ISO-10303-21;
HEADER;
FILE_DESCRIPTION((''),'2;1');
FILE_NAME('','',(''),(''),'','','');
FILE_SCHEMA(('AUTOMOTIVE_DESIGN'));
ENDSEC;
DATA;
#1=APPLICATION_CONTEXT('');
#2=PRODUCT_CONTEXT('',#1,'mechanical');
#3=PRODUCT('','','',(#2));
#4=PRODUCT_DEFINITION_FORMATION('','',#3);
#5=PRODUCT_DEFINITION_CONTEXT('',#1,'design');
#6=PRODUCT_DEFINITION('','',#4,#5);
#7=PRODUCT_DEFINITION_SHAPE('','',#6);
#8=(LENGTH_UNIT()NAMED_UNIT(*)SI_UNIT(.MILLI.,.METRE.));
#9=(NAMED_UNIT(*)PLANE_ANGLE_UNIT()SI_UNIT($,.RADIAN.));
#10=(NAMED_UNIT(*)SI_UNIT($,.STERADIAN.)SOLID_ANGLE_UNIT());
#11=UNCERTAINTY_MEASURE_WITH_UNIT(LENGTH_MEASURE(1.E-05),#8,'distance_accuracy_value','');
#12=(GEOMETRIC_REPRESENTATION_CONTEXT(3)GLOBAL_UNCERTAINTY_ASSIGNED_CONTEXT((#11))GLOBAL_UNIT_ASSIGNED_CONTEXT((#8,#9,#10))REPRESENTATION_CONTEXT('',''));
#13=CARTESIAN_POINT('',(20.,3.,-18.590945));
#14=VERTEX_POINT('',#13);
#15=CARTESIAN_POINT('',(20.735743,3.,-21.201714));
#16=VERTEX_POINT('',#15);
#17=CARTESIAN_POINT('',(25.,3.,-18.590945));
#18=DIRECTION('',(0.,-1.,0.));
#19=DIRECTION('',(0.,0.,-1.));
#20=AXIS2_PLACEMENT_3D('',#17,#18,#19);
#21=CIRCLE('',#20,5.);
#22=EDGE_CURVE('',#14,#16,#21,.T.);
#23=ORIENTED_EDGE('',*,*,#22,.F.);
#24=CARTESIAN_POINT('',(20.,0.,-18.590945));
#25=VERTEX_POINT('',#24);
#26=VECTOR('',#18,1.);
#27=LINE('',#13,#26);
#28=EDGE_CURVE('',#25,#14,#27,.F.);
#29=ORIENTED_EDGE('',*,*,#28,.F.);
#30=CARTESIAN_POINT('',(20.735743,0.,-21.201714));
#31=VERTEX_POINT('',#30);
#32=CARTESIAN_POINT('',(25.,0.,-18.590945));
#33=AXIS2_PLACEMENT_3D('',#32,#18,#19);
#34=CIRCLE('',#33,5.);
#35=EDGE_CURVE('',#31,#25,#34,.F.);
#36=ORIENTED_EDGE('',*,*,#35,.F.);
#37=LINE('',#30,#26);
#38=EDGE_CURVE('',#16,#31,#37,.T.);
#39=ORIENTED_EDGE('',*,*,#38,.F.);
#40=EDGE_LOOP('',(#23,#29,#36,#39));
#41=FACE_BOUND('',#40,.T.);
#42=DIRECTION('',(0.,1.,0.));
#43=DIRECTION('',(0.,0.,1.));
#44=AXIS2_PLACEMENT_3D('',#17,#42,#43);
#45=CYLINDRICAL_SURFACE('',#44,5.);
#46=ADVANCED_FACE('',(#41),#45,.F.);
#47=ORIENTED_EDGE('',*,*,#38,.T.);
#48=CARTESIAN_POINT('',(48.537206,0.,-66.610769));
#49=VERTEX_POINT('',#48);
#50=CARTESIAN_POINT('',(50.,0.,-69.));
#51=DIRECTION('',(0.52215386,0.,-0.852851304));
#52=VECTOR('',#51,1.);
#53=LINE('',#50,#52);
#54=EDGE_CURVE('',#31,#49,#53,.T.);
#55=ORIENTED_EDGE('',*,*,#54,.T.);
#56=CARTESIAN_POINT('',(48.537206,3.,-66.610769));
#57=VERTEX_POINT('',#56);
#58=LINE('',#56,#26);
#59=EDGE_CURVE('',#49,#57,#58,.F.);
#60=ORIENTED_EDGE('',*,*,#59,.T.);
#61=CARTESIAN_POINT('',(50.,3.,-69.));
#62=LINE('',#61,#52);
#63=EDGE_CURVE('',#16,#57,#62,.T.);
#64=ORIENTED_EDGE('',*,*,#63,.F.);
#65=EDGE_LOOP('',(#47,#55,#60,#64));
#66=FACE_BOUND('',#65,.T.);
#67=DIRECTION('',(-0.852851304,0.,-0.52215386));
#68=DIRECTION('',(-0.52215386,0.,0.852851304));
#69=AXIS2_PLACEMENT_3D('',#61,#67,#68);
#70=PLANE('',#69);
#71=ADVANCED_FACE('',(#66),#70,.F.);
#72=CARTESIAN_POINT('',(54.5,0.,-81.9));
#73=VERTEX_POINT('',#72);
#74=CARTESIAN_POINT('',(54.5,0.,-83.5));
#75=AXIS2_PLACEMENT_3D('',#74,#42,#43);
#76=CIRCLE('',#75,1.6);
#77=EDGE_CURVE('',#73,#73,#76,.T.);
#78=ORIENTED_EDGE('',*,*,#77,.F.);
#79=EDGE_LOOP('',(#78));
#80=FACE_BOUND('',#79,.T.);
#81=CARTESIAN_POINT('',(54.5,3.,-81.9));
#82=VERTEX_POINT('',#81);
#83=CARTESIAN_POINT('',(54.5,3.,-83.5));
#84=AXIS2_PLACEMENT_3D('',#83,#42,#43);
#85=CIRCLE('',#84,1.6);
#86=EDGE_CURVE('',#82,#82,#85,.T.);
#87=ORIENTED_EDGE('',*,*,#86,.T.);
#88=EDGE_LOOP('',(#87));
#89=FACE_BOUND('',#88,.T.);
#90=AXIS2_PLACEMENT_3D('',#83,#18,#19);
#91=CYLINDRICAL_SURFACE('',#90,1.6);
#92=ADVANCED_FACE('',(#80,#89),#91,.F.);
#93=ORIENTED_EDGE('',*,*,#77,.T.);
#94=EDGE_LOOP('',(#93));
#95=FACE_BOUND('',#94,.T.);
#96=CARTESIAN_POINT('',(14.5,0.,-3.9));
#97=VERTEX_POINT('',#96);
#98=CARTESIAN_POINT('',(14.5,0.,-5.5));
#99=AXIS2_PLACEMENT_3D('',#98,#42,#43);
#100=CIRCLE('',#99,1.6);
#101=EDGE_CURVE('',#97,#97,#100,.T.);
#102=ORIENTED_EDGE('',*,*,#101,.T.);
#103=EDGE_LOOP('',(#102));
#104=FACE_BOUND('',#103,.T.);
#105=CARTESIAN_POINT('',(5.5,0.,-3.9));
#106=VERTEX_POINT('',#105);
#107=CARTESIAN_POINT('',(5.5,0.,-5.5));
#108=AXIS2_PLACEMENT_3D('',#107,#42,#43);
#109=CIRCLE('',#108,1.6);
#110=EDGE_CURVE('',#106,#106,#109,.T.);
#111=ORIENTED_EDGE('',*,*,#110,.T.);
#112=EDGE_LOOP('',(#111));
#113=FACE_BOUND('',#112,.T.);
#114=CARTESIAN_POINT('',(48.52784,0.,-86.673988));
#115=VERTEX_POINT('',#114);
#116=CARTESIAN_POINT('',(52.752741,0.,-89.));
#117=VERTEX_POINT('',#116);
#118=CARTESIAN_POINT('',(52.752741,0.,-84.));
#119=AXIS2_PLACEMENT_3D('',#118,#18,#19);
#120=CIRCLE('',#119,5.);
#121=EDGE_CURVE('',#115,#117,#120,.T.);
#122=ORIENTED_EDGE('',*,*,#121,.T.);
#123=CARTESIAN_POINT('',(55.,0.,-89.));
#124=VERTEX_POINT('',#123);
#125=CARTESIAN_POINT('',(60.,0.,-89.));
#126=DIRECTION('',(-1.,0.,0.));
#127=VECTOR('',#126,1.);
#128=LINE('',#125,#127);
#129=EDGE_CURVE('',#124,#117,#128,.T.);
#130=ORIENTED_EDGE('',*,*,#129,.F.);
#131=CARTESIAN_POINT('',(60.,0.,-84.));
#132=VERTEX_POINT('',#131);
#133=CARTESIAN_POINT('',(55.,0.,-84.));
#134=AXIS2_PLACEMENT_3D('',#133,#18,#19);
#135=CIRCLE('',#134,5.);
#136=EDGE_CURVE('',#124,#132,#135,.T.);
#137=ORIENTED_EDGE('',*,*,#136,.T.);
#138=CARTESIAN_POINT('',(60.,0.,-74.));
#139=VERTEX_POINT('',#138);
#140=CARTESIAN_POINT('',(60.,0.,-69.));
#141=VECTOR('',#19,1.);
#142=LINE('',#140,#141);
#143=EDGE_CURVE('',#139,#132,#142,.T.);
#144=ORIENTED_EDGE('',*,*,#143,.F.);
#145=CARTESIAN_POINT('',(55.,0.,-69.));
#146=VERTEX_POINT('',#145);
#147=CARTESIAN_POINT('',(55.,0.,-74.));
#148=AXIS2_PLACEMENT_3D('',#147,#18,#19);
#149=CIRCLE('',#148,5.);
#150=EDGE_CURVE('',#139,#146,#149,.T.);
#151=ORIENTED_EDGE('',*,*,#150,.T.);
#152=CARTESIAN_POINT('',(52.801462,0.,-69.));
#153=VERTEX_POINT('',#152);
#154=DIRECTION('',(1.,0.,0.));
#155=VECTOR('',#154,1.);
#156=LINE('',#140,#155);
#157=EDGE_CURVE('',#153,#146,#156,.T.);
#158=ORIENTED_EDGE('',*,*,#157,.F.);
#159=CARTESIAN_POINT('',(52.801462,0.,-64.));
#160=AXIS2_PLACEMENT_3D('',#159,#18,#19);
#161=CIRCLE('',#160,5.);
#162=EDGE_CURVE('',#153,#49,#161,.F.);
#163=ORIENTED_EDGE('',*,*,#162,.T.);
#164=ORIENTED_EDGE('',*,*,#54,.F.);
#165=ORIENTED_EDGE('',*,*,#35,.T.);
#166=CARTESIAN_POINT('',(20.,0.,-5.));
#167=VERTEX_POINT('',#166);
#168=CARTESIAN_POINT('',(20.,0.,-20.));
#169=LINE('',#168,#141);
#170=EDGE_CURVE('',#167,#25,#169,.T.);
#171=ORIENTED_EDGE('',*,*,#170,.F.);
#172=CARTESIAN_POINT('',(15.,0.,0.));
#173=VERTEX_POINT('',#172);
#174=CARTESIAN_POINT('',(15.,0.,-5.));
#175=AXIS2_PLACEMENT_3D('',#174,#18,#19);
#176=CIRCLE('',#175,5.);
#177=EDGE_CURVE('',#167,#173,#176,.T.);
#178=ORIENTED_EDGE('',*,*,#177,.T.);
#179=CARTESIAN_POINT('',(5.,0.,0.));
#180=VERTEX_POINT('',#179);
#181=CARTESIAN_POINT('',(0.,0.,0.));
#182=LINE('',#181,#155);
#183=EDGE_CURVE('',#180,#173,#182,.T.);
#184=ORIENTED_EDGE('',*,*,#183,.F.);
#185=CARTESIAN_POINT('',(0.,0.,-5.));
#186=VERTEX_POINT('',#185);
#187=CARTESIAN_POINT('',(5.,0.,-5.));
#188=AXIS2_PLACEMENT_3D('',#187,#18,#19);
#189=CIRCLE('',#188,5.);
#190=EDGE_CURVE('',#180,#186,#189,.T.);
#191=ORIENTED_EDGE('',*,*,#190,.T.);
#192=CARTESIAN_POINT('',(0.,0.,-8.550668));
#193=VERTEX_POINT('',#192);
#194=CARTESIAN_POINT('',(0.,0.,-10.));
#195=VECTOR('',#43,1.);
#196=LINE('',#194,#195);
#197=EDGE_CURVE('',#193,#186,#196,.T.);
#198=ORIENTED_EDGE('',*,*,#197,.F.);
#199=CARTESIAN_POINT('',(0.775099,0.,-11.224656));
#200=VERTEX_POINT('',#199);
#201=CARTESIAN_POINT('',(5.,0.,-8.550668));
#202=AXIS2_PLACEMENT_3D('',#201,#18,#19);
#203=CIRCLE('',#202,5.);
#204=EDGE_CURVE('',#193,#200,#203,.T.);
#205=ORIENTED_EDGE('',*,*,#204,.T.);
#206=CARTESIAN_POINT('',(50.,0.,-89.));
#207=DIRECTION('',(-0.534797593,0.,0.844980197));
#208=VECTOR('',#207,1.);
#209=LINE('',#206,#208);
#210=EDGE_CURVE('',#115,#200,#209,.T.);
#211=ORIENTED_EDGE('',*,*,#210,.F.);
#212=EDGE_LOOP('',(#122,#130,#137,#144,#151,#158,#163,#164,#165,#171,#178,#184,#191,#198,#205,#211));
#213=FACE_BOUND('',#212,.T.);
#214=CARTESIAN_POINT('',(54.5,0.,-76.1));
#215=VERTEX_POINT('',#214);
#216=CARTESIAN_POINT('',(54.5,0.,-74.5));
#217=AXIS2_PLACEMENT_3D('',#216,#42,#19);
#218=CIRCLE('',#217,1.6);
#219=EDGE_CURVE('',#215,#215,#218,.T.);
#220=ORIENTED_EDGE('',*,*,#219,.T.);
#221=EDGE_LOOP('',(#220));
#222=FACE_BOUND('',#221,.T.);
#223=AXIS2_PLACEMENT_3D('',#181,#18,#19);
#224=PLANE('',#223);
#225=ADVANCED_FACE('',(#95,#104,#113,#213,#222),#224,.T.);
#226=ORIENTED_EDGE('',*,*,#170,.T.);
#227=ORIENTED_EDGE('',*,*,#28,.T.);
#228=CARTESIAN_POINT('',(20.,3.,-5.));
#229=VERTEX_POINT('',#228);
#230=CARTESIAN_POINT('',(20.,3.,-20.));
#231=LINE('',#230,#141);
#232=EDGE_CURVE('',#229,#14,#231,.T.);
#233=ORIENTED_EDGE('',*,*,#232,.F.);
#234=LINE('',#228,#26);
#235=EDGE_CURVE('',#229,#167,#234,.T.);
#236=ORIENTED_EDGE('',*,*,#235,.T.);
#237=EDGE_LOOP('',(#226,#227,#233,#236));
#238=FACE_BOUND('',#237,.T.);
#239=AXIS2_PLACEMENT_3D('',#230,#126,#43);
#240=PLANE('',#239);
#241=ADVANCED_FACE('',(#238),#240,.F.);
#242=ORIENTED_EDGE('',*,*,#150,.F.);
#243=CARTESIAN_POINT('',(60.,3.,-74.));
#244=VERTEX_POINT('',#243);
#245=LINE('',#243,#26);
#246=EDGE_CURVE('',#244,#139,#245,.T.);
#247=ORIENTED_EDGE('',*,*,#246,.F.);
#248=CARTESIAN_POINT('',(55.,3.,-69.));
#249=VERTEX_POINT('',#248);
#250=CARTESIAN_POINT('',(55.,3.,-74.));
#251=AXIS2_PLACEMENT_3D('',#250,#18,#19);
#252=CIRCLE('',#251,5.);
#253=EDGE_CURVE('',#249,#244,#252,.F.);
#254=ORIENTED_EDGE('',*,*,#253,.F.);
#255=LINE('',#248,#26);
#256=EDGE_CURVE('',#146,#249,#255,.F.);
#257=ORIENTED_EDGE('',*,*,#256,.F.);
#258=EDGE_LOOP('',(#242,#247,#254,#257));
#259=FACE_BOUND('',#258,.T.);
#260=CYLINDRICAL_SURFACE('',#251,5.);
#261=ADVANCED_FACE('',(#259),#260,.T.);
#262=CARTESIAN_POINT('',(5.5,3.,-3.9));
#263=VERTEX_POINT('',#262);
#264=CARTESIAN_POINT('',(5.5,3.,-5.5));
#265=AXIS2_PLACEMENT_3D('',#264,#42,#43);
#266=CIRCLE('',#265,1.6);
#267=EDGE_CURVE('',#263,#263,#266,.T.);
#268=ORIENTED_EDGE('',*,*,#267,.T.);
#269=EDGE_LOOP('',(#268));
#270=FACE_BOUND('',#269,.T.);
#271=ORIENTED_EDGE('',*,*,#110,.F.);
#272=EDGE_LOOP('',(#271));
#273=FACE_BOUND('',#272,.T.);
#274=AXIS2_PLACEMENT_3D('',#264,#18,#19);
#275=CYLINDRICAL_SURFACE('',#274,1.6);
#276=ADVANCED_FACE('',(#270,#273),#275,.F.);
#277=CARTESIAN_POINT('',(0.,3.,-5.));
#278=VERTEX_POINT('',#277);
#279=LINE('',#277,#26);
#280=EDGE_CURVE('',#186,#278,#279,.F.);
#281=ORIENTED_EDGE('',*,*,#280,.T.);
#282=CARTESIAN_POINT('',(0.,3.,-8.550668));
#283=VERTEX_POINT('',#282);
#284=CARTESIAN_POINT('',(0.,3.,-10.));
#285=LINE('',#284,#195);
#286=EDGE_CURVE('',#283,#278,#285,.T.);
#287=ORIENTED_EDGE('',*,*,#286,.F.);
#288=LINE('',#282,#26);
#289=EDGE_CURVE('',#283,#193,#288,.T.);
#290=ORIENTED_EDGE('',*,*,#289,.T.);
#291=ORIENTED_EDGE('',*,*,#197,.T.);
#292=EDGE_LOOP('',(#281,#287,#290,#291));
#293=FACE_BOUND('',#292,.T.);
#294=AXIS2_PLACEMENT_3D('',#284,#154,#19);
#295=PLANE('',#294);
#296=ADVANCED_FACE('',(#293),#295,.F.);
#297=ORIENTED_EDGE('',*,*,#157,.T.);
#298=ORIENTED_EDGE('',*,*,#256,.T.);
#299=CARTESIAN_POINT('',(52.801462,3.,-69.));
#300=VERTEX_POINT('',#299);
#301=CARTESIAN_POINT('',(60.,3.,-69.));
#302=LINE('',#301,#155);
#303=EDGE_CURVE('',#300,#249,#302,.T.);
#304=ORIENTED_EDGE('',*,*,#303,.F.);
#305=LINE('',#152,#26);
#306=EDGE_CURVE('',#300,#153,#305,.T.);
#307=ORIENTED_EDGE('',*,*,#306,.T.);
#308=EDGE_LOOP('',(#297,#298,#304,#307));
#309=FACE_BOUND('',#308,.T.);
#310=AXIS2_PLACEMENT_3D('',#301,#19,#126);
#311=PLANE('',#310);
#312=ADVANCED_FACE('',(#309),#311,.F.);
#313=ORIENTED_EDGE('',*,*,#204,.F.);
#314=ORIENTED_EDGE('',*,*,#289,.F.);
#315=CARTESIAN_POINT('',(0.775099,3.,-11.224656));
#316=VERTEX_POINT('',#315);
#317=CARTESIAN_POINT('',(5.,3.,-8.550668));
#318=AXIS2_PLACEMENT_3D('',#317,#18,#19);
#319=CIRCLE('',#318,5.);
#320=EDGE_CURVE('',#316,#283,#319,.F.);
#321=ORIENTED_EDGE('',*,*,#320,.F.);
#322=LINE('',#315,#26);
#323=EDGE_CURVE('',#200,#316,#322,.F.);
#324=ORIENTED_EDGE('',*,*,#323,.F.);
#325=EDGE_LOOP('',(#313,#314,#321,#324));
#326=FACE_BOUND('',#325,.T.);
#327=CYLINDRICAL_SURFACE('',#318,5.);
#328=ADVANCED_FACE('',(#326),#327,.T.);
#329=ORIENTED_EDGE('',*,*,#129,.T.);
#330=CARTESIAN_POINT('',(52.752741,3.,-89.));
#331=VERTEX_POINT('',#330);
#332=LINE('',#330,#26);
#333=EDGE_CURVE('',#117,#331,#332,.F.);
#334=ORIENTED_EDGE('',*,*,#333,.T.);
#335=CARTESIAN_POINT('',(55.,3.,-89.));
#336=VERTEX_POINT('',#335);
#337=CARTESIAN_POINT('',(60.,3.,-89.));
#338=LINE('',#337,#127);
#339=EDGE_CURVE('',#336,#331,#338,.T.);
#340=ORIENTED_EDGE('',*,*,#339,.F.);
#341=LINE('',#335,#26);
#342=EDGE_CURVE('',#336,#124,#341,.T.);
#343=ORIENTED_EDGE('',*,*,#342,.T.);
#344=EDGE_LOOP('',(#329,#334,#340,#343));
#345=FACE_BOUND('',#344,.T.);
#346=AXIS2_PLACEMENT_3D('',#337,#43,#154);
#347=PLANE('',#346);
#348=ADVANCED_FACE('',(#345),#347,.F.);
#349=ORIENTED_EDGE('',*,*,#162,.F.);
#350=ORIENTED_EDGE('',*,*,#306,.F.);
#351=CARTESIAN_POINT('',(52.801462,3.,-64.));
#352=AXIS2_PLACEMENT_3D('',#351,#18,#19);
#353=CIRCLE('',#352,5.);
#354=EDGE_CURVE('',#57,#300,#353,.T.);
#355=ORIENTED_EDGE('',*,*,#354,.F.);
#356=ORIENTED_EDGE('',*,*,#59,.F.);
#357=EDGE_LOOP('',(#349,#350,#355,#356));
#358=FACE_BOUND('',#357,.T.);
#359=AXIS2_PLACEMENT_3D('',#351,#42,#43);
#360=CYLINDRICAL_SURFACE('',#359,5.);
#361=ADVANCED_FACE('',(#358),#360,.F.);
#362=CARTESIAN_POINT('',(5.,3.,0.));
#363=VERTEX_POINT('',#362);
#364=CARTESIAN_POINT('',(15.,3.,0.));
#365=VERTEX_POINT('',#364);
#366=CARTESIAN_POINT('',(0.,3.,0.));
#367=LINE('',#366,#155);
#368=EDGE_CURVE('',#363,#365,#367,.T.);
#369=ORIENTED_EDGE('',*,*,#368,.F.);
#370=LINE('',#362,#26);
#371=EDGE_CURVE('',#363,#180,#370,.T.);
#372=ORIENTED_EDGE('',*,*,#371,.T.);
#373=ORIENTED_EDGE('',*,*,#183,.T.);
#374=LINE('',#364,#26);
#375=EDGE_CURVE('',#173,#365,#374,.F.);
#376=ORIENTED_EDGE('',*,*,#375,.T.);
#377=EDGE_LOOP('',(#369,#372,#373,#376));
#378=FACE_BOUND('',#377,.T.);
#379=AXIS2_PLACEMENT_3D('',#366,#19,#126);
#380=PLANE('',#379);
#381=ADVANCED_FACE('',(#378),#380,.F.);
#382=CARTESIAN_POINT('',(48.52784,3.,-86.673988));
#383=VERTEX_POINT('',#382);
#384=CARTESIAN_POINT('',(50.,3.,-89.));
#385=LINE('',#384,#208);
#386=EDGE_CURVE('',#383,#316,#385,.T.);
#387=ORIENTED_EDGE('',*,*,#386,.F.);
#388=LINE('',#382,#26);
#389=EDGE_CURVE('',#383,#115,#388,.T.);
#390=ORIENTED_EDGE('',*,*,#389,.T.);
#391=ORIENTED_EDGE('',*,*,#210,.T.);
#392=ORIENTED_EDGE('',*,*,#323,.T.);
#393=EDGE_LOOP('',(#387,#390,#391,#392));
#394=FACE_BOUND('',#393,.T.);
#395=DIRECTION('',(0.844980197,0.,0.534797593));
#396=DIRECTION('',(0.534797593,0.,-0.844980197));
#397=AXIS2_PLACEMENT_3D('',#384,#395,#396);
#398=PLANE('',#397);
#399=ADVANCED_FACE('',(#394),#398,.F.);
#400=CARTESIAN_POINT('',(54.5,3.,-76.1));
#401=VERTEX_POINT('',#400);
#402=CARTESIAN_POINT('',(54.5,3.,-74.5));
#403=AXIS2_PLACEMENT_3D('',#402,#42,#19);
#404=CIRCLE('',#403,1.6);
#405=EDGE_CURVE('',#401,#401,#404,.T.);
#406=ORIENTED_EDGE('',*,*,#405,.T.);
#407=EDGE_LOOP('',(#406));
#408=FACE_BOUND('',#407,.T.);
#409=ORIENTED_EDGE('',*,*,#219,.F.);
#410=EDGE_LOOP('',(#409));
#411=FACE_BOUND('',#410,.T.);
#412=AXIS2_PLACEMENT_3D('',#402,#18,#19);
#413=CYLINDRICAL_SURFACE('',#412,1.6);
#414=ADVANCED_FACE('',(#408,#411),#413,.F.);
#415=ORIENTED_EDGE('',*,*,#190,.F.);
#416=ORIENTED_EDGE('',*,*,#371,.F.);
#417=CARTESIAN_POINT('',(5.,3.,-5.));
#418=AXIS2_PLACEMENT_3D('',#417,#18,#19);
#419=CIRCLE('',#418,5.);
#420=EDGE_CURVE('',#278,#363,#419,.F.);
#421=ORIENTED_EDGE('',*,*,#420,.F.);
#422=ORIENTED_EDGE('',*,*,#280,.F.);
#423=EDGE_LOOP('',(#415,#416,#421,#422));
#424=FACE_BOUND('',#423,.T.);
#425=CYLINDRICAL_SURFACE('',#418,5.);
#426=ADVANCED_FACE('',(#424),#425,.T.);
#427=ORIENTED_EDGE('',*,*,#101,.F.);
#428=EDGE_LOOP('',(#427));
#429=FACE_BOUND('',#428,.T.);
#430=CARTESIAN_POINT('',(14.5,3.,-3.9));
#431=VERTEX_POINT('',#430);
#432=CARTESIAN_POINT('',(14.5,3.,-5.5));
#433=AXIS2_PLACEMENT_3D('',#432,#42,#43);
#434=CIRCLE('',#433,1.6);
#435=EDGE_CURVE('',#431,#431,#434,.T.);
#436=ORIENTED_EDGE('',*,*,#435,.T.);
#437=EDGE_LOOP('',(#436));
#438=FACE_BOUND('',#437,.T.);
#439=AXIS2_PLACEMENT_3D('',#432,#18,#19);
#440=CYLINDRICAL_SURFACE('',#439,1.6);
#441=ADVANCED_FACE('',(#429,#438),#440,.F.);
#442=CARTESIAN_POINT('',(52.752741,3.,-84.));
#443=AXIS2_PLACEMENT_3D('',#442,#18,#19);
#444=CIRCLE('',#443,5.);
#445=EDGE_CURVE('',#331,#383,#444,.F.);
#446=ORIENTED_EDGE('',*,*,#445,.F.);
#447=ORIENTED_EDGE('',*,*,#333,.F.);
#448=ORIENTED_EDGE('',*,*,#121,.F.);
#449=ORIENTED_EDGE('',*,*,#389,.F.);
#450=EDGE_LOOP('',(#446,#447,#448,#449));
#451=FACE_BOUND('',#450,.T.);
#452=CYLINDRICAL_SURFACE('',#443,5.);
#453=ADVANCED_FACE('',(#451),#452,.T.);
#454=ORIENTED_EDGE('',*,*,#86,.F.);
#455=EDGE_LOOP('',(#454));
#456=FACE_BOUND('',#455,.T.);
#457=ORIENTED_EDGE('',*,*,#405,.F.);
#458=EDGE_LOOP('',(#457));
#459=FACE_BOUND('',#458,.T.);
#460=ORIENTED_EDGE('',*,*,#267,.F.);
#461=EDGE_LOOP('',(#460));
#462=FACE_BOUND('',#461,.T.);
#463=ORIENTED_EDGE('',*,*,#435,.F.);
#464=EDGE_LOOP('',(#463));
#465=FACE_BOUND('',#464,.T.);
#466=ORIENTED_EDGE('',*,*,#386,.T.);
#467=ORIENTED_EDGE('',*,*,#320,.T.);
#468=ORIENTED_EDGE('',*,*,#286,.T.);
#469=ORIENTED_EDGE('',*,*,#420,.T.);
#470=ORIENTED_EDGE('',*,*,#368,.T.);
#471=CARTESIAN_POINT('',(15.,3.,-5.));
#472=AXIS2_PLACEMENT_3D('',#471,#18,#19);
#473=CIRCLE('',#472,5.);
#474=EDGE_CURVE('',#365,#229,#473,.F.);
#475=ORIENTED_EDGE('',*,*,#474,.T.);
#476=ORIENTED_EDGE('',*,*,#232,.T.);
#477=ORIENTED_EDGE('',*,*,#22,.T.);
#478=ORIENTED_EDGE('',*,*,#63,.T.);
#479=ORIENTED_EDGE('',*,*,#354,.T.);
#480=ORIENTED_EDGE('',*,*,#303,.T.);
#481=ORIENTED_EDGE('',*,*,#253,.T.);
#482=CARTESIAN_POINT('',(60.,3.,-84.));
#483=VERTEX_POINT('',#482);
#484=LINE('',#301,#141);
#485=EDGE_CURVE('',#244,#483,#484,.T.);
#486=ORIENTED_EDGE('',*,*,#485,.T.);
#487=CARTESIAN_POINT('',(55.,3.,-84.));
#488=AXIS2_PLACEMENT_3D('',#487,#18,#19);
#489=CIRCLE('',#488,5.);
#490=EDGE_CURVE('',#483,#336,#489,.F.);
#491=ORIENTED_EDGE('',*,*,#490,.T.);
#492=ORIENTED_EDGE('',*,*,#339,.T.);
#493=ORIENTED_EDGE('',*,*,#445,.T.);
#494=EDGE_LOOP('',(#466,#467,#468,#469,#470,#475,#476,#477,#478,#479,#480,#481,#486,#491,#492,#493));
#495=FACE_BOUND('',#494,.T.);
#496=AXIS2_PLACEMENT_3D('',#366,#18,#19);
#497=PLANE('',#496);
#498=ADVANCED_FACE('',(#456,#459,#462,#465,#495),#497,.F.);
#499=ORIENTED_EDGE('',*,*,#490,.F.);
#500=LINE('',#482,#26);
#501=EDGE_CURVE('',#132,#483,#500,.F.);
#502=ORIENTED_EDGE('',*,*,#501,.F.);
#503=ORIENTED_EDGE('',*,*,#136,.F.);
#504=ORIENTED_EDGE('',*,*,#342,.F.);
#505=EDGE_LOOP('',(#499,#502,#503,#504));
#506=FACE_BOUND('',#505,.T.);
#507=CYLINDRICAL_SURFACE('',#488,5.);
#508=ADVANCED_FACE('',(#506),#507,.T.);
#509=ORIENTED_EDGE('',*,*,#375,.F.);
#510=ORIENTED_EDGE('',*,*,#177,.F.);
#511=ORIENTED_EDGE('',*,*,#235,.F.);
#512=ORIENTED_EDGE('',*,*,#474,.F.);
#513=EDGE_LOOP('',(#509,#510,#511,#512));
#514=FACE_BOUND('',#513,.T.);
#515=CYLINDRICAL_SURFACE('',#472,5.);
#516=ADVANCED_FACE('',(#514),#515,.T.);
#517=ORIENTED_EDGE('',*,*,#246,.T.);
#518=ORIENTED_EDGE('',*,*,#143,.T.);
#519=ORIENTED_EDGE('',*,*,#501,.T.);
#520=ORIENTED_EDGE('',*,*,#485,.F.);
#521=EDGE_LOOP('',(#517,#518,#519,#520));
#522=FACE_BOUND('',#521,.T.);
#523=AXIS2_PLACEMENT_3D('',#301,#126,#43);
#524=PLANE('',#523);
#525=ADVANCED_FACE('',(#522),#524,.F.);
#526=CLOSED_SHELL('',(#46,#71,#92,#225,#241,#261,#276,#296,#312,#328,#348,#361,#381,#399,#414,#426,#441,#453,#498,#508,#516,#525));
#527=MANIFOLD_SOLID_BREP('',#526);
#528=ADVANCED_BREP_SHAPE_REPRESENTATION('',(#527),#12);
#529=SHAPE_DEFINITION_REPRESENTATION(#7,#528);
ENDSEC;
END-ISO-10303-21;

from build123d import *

# Parameters (mm, degrees)
SKETCH_1_R      = 1.6
EXTRUDE_1_DEPTH = 3
FILLET_1_R      = 5


with BuildPart() as part:
    # 草图1 → 凸台-拉伸1 (new body)
    with BuildSketch(Plane(origin=(0, 0, 0), x_dir=(1, 0, 0), z_dir=(0, 1, 0))):
        Polygon((50, 89), (0, 10), (0, 0), (20, 0), (20, 20), (50, 69), (60, 69), (60, 89), align=None)
        with Locations(Location((54.5, 83.5, 0), (0, 0, 270))):
            Circle(SKETCH_1_R, mode=Mode.SUBTRACT)
        with Locations(Location((54.5, 74.5, 0), (0, 0, 90))):
            Circle(SKETCH_1_R, mode=Mode.SUBTRACT)
        with Locations(Location((5.5, 5.5, 0), (0, 0, 270))):
            Circle(SKETCH_1_R, mode=Mode.SUBTRACT)
        with Locations(Location((14.5, 5.5, 0), (0, 0, 270))):
            Circle(SKETCH_1_R, mode=Mode.SUBTRACT)
    extrude(amount=EXTRUDE_1_DEPTH)

    # 圆角1
    fillet_1_edges = [part.edges().sort_by_distance(p)[0] for p in [
        (0, 1.5, 0),
        (0, 1.5, -10),
        (50, 1.5, -89),
        (60, 1.5, -89),
        (60, 1.5, -69),
        (50, 1.5, -69),
        (20, 1.5, -20),
        (20, 1.5, 0),
    ]]
    fillet(fillet_1_edges, radius=FILLET_1_R)


solid = part.part
